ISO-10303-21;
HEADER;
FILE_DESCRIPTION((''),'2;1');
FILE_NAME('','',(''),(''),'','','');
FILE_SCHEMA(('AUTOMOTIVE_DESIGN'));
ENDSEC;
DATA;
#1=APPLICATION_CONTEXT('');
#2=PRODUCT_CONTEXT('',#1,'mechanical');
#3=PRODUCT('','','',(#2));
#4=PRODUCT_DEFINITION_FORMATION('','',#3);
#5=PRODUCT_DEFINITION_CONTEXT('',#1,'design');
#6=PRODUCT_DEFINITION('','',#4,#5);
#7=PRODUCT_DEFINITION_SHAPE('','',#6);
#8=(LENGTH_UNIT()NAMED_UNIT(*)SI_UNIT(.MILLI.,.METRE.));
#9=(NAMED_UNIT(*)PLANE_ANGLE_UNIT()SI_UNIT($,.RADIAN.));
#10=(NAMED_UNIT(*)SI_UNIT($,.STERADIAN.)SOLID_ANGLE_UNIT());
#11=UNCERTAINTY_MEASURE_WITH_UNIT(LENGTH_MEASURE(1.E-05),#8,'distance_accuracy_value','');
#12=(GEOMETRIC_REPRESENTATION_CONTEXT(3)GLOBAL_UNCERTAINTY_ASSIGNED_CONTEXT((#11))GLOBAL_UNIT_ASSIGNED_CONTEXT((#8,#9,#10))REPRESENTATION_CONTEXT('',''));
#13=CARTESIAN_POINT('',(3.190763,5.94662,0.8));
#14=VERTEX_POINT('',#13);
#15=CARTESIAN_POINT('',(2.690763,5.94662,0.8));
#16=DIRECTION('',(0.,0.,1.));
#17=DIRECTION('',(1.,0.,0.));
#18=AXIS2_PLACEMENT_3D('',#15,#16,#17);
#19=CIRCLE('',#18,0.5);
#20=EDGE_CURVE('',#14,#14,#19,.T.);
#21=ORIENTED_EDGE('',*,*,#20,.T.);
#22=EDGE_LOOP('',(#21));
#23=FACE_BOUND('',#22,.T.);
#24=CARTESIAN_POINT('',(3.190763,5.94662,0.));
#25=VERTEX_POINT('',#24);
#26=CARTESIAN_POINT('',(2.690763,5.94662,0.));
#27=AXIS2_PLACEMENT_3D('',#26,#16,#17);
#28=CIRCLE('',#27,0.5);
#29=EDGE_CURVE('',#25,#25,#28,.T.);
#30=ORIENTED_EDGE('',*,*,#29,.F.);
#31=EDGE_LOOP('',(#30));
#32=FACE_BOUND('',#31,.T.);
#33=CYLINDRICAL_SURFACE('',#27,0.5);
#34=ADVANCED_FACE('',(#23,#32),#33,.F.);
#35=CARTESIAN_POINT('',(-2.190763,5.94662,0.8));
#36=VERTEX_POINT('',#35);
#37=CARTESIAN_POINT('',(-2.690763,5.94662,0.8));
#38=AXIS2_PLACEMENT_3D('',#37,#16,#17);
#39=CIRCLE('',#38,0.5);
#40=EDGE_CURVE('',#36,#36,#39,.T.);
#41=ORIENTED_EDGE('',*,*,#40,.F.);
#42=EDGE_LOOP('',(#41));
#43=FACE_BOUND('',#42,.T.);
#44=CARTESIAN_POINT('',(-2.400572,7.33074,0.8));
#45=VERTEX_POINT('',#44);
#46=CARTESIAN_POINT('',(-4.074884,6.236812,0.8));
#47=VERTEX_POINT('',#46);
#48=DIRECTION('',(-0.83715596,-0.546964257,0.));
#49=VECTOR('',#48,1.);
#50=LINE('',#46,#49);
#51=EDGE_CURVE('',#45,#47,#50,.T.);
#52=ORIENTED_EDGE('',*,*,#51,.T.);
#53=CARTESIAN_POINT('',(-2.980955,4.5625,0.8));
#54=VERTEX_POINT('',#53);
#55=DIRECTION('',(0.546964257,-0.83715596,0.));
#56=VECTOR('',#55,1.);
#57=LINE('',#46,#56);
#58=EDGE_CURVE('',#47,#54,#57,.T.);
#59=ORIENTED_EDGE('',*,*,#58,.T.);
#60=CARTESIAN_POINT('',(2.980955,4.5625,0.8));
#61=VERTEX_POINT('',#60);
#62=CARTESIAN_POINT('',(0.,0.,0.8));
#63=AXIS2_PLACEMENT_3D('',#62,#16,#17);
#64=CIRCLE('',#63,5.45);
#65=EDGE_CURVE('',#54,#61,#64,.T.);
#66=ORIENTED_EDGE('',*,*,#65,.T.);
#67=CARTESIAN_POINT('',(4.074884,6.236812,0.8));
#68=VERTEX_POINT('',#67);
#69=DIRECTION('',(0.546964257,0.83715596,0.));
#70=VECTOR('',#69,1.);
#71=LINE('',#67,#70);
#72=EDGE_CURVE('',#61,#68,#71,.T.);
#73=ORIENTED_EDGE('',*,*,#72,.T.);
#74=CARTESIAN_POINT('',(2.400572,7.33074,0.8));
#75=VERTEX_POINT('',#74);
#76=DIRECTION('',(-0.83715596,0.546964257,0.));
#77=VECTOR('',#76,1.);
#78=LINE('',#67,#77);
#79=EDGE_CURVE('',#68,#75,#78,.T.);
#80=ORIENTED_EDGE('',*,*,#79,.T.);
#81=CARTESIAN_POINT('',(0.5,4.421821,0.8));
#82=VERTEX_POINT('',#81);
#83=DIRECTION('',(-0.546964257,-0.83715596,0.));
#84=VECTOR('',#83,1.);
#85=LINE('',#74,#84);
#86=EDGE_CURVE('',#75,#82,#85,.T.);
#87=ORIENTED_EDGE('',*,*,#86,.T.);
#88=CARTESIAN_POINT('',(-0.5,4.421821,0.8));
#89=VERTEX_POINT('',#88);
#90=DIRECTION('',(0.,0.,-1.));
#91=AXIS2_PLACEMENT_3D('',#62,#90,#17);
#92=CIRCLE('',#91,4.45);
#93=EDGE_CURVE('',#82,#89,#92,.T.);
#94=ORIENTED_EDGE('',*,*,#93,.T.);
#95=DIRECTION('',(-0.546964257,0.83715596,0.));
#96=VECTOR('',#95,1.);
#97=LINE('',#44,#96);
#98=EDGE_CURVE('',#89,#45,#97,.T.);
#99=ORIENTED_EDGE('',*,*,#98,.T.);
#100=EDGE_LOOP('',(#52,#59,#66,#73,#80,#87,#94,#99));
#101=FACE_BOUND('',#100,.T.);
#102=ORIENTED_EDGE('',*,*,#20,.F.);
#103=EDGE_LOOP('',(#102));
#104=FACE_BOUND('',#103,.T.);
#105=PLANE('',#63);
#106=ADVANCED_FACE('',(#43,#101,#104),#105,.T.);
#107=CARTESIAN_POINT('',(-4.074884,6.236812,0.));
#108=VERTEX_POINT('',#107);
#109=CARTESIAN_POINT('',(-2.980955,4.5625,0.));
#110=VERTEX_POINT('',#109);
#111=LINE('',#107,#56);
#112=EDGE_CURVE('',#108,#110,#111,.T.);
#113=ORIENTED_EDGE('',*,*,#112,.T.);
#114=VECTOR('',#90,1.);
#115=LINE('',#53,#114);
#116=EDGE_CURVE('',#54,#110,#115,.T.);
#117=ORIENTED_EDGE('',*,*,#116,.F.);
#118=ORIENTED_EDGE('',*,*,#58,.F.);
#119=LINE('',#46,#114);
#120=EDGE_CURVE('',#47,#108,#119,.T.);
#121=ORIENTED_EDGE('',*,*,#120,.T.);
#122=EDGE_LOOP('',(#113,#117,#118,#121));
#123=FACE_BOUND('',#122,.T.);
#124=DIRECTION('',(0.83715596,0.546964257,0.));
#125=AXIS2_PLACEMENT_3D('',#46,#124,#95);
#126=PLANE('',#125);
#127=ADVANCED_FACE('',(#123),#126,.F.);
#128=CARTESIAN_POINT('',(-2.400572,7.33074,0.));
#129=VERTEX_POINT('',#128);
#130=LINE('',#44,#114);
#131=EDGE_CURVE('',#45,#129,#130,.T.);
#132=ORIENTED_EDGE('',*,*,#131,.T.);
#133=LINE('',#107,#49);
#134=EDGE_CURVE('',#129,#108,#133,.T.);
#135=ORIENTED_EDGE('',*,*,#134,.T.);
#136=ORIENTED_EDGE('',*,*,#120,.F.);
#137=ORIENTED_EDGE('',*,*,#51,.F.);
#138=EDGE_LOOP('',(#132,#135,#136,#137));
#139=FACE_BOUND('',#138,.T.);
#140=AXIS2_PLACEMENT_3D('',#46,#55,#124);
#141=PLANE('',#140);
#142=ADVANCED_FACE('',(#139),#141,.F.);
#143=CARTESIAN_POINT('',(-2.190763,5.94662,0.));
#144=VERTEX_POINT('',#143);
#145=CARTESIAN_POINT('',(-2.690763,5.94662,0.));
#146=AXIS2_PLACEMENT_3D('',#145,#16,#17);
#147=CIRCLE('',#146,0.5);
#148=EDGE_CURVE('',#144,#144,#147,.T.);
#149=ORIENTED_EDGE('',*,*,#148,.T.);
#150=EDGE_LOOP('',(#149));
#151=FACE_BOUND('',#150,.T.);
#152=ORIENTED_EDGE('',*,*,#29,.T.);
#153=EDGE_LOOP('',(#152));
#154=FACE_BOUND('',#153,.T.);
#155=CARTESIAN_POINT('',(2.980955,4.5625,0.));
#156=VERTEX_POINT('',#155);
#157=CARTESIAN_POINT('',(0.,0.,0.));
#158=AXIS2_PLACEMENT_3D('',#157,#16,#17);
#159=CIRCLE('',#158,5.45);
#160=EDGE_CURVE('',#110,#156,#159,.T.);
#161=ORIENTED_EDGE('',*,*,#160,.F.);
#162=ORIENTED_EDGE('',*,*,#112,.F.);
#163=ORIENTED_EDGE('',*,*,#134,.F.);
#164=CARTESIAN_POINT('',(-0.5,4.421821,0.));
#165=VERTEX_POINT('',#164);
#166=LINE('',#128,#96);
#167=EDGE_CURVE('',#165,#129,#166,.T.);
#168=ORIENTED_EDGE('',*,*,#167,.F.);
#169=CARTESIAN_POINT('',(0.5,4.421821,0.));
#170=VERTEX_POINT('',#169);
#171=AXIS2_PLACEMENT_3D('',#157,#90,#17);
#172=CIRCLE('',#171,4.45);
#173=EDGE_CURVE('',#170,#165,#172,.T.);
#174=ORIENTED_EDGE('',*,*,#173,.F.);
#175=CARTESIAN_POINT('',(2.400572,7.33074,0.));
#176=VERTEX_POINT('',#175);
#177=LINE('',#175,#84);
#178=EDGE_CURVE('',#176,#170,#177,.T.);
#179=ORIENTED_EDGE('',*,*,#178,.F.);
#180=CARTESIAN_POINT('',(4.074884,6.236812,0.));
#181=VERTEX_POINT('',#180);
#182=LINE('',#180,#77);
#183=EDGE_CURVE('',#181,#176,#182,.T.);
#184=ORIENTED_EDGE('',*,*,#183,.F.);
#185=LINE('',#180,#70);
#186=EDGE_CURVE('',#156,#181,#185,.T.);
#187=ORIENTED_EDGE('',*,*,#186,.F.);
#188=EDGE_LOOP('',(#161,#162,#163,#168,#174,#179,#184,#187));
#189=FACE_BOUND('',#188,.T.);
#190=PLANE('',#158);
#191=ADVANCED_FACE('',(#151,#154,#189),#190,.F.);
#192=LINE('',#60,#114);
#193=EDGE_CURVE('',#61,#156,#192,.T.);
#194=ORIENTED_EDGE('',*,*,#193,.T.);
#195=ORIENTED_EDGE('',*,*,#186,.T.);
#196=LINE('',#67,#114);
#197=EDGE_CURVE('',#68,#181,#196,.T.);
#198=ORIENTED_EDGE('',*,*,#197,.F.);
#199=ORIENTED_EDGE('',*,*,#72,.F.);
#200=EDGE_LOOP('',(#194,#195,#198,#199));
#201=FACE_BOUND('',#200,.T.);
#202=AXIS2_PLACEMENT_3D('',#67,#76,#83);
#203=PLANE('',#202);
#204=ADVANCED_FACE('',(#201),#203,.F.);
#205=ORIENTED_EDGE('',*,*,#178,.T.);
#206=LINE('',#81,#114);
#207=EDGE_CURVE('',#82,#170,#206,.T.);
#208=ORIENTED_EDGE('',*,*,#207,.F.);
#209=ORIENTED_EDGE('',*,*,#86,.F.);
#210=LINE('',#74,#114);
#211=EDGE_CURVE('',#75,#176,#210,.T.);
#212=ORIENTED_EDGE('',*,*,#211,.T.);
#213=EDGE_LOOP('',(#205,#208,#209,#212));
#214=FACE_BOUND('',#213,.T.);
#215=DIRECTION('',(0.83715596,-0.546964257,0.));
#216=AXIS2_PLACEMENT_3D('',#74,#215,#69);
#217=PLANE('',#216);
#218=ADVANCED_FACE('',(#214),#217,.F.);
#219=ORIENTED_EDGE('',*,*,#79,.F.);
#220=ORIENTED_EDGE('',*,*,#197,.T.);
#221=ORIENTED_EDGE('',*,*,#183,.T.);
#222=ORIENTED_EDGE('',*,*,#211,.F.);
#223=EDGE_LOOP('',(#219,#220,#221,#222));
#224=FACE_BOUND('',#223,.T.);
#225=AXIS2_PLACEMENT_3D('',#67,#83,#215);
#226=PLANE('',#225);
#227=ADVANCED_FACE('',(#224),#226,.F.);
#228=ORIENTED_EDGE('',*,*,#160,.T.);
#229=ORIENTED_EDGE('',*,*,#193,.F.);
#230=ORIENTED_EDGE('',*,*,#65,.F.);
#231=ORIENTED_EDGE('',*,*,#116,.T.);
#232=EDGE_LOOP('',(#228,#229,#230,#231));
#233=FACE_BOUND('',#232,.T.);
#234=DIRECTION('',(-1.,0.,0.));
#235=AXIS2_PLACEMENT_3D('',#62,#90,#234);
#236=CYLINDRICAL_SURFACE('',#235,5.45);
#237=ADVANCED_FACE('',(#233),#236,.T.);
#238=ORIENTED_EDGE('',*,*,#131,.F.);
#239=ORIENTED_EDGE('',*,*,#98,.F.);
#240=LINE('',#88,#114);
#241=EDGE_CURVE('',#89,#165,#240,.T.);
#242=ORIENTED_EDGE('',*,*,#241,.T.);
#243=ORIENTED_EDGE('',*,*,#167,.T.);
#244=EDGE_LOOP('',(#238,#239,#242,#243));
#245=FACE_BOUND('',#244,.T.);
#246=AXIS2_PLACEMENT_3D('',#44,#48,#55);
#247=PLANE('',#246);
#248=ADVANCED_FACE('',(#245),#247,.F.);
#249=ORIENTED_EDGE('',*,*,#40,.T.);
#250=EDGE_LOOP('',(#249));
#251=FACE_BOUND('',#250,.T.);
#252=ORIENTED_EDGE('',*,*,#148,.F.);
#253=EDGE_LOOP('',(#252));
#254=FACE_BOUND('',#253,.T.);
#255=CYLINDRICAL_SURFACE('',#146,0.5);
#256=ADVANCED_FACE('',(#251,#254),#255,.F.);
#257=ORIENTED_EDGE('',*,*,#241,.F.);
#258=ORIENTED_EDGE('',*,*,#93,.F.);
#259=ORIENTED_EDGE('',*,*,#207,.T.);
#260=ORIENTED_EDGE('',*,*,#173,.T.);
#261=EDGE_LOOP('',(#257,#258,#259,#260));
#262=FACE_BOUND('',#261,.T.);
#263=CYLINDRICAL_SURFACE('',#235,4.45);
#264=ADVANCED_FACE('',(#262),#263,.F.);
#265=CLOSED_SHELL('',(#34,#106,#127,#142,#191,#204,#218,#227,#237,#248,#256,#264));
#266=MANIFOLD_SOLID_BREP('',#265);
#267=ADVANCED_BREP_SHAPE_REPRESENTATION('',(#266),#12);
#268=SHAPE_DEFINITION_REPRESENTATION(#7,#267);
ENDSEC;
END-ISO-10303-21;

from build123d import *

# Parameters (mm, degrees)
BOSS_EXTRUDE1_DEPTH = 0.8
SKETCH3_R           = 0.5
CUT_EXTRUDE1_DEPTH  = 1.8


with BuildPart() as part:
    # Sketch2 → Boss-Extrude1 (new body)
    with BuildSketch(Plane.XY):
        with BuildLine():
            Line((-4.074883717, 6.236811902), (-2.980955202, 4.562499982))
            ThreePointArc((-2.980955202, 4.562499982), (0, -5.45), (2.980955202, 4.562499982))
            Line((2.980955202, 4.562499982), (4.074883717, 6.236811902))
            Line((4.074883717, 6.236811902), (2.400571797, 7.330740416))
            Line((2.400571797, 7.330740416), (0.5, 4.421820892))
            ThreePointArc((0.5, 4.421820892), (0, -4.45), (-0.5, 4.421820892))
            Line((-0.5, 4.421820892), (-2.400571797, 7.330740416))
            Line((-2.400571797, 7.330740416), (-4.074883717, 6.236811902))
        make_face()
    extrude(amount=BOSS_EXTRUDE1_DEPTH)

    # Sketch3 → Cut-Extrude1 (cut, through all)
    with BuildSketch(Plane.XY.offset(0.8)):
        with Locations((-2.6907635, 5.946620199)):
            Circle(SKETCH3_R)
        with Locations((2.6907635, 5.946620199)):
            Circle(SKETCH3_R)
    extrude(amount=-CUT_EXTRUDE1_DEPTH, mode=Mode.SUBTRACT)


solid = part.part
